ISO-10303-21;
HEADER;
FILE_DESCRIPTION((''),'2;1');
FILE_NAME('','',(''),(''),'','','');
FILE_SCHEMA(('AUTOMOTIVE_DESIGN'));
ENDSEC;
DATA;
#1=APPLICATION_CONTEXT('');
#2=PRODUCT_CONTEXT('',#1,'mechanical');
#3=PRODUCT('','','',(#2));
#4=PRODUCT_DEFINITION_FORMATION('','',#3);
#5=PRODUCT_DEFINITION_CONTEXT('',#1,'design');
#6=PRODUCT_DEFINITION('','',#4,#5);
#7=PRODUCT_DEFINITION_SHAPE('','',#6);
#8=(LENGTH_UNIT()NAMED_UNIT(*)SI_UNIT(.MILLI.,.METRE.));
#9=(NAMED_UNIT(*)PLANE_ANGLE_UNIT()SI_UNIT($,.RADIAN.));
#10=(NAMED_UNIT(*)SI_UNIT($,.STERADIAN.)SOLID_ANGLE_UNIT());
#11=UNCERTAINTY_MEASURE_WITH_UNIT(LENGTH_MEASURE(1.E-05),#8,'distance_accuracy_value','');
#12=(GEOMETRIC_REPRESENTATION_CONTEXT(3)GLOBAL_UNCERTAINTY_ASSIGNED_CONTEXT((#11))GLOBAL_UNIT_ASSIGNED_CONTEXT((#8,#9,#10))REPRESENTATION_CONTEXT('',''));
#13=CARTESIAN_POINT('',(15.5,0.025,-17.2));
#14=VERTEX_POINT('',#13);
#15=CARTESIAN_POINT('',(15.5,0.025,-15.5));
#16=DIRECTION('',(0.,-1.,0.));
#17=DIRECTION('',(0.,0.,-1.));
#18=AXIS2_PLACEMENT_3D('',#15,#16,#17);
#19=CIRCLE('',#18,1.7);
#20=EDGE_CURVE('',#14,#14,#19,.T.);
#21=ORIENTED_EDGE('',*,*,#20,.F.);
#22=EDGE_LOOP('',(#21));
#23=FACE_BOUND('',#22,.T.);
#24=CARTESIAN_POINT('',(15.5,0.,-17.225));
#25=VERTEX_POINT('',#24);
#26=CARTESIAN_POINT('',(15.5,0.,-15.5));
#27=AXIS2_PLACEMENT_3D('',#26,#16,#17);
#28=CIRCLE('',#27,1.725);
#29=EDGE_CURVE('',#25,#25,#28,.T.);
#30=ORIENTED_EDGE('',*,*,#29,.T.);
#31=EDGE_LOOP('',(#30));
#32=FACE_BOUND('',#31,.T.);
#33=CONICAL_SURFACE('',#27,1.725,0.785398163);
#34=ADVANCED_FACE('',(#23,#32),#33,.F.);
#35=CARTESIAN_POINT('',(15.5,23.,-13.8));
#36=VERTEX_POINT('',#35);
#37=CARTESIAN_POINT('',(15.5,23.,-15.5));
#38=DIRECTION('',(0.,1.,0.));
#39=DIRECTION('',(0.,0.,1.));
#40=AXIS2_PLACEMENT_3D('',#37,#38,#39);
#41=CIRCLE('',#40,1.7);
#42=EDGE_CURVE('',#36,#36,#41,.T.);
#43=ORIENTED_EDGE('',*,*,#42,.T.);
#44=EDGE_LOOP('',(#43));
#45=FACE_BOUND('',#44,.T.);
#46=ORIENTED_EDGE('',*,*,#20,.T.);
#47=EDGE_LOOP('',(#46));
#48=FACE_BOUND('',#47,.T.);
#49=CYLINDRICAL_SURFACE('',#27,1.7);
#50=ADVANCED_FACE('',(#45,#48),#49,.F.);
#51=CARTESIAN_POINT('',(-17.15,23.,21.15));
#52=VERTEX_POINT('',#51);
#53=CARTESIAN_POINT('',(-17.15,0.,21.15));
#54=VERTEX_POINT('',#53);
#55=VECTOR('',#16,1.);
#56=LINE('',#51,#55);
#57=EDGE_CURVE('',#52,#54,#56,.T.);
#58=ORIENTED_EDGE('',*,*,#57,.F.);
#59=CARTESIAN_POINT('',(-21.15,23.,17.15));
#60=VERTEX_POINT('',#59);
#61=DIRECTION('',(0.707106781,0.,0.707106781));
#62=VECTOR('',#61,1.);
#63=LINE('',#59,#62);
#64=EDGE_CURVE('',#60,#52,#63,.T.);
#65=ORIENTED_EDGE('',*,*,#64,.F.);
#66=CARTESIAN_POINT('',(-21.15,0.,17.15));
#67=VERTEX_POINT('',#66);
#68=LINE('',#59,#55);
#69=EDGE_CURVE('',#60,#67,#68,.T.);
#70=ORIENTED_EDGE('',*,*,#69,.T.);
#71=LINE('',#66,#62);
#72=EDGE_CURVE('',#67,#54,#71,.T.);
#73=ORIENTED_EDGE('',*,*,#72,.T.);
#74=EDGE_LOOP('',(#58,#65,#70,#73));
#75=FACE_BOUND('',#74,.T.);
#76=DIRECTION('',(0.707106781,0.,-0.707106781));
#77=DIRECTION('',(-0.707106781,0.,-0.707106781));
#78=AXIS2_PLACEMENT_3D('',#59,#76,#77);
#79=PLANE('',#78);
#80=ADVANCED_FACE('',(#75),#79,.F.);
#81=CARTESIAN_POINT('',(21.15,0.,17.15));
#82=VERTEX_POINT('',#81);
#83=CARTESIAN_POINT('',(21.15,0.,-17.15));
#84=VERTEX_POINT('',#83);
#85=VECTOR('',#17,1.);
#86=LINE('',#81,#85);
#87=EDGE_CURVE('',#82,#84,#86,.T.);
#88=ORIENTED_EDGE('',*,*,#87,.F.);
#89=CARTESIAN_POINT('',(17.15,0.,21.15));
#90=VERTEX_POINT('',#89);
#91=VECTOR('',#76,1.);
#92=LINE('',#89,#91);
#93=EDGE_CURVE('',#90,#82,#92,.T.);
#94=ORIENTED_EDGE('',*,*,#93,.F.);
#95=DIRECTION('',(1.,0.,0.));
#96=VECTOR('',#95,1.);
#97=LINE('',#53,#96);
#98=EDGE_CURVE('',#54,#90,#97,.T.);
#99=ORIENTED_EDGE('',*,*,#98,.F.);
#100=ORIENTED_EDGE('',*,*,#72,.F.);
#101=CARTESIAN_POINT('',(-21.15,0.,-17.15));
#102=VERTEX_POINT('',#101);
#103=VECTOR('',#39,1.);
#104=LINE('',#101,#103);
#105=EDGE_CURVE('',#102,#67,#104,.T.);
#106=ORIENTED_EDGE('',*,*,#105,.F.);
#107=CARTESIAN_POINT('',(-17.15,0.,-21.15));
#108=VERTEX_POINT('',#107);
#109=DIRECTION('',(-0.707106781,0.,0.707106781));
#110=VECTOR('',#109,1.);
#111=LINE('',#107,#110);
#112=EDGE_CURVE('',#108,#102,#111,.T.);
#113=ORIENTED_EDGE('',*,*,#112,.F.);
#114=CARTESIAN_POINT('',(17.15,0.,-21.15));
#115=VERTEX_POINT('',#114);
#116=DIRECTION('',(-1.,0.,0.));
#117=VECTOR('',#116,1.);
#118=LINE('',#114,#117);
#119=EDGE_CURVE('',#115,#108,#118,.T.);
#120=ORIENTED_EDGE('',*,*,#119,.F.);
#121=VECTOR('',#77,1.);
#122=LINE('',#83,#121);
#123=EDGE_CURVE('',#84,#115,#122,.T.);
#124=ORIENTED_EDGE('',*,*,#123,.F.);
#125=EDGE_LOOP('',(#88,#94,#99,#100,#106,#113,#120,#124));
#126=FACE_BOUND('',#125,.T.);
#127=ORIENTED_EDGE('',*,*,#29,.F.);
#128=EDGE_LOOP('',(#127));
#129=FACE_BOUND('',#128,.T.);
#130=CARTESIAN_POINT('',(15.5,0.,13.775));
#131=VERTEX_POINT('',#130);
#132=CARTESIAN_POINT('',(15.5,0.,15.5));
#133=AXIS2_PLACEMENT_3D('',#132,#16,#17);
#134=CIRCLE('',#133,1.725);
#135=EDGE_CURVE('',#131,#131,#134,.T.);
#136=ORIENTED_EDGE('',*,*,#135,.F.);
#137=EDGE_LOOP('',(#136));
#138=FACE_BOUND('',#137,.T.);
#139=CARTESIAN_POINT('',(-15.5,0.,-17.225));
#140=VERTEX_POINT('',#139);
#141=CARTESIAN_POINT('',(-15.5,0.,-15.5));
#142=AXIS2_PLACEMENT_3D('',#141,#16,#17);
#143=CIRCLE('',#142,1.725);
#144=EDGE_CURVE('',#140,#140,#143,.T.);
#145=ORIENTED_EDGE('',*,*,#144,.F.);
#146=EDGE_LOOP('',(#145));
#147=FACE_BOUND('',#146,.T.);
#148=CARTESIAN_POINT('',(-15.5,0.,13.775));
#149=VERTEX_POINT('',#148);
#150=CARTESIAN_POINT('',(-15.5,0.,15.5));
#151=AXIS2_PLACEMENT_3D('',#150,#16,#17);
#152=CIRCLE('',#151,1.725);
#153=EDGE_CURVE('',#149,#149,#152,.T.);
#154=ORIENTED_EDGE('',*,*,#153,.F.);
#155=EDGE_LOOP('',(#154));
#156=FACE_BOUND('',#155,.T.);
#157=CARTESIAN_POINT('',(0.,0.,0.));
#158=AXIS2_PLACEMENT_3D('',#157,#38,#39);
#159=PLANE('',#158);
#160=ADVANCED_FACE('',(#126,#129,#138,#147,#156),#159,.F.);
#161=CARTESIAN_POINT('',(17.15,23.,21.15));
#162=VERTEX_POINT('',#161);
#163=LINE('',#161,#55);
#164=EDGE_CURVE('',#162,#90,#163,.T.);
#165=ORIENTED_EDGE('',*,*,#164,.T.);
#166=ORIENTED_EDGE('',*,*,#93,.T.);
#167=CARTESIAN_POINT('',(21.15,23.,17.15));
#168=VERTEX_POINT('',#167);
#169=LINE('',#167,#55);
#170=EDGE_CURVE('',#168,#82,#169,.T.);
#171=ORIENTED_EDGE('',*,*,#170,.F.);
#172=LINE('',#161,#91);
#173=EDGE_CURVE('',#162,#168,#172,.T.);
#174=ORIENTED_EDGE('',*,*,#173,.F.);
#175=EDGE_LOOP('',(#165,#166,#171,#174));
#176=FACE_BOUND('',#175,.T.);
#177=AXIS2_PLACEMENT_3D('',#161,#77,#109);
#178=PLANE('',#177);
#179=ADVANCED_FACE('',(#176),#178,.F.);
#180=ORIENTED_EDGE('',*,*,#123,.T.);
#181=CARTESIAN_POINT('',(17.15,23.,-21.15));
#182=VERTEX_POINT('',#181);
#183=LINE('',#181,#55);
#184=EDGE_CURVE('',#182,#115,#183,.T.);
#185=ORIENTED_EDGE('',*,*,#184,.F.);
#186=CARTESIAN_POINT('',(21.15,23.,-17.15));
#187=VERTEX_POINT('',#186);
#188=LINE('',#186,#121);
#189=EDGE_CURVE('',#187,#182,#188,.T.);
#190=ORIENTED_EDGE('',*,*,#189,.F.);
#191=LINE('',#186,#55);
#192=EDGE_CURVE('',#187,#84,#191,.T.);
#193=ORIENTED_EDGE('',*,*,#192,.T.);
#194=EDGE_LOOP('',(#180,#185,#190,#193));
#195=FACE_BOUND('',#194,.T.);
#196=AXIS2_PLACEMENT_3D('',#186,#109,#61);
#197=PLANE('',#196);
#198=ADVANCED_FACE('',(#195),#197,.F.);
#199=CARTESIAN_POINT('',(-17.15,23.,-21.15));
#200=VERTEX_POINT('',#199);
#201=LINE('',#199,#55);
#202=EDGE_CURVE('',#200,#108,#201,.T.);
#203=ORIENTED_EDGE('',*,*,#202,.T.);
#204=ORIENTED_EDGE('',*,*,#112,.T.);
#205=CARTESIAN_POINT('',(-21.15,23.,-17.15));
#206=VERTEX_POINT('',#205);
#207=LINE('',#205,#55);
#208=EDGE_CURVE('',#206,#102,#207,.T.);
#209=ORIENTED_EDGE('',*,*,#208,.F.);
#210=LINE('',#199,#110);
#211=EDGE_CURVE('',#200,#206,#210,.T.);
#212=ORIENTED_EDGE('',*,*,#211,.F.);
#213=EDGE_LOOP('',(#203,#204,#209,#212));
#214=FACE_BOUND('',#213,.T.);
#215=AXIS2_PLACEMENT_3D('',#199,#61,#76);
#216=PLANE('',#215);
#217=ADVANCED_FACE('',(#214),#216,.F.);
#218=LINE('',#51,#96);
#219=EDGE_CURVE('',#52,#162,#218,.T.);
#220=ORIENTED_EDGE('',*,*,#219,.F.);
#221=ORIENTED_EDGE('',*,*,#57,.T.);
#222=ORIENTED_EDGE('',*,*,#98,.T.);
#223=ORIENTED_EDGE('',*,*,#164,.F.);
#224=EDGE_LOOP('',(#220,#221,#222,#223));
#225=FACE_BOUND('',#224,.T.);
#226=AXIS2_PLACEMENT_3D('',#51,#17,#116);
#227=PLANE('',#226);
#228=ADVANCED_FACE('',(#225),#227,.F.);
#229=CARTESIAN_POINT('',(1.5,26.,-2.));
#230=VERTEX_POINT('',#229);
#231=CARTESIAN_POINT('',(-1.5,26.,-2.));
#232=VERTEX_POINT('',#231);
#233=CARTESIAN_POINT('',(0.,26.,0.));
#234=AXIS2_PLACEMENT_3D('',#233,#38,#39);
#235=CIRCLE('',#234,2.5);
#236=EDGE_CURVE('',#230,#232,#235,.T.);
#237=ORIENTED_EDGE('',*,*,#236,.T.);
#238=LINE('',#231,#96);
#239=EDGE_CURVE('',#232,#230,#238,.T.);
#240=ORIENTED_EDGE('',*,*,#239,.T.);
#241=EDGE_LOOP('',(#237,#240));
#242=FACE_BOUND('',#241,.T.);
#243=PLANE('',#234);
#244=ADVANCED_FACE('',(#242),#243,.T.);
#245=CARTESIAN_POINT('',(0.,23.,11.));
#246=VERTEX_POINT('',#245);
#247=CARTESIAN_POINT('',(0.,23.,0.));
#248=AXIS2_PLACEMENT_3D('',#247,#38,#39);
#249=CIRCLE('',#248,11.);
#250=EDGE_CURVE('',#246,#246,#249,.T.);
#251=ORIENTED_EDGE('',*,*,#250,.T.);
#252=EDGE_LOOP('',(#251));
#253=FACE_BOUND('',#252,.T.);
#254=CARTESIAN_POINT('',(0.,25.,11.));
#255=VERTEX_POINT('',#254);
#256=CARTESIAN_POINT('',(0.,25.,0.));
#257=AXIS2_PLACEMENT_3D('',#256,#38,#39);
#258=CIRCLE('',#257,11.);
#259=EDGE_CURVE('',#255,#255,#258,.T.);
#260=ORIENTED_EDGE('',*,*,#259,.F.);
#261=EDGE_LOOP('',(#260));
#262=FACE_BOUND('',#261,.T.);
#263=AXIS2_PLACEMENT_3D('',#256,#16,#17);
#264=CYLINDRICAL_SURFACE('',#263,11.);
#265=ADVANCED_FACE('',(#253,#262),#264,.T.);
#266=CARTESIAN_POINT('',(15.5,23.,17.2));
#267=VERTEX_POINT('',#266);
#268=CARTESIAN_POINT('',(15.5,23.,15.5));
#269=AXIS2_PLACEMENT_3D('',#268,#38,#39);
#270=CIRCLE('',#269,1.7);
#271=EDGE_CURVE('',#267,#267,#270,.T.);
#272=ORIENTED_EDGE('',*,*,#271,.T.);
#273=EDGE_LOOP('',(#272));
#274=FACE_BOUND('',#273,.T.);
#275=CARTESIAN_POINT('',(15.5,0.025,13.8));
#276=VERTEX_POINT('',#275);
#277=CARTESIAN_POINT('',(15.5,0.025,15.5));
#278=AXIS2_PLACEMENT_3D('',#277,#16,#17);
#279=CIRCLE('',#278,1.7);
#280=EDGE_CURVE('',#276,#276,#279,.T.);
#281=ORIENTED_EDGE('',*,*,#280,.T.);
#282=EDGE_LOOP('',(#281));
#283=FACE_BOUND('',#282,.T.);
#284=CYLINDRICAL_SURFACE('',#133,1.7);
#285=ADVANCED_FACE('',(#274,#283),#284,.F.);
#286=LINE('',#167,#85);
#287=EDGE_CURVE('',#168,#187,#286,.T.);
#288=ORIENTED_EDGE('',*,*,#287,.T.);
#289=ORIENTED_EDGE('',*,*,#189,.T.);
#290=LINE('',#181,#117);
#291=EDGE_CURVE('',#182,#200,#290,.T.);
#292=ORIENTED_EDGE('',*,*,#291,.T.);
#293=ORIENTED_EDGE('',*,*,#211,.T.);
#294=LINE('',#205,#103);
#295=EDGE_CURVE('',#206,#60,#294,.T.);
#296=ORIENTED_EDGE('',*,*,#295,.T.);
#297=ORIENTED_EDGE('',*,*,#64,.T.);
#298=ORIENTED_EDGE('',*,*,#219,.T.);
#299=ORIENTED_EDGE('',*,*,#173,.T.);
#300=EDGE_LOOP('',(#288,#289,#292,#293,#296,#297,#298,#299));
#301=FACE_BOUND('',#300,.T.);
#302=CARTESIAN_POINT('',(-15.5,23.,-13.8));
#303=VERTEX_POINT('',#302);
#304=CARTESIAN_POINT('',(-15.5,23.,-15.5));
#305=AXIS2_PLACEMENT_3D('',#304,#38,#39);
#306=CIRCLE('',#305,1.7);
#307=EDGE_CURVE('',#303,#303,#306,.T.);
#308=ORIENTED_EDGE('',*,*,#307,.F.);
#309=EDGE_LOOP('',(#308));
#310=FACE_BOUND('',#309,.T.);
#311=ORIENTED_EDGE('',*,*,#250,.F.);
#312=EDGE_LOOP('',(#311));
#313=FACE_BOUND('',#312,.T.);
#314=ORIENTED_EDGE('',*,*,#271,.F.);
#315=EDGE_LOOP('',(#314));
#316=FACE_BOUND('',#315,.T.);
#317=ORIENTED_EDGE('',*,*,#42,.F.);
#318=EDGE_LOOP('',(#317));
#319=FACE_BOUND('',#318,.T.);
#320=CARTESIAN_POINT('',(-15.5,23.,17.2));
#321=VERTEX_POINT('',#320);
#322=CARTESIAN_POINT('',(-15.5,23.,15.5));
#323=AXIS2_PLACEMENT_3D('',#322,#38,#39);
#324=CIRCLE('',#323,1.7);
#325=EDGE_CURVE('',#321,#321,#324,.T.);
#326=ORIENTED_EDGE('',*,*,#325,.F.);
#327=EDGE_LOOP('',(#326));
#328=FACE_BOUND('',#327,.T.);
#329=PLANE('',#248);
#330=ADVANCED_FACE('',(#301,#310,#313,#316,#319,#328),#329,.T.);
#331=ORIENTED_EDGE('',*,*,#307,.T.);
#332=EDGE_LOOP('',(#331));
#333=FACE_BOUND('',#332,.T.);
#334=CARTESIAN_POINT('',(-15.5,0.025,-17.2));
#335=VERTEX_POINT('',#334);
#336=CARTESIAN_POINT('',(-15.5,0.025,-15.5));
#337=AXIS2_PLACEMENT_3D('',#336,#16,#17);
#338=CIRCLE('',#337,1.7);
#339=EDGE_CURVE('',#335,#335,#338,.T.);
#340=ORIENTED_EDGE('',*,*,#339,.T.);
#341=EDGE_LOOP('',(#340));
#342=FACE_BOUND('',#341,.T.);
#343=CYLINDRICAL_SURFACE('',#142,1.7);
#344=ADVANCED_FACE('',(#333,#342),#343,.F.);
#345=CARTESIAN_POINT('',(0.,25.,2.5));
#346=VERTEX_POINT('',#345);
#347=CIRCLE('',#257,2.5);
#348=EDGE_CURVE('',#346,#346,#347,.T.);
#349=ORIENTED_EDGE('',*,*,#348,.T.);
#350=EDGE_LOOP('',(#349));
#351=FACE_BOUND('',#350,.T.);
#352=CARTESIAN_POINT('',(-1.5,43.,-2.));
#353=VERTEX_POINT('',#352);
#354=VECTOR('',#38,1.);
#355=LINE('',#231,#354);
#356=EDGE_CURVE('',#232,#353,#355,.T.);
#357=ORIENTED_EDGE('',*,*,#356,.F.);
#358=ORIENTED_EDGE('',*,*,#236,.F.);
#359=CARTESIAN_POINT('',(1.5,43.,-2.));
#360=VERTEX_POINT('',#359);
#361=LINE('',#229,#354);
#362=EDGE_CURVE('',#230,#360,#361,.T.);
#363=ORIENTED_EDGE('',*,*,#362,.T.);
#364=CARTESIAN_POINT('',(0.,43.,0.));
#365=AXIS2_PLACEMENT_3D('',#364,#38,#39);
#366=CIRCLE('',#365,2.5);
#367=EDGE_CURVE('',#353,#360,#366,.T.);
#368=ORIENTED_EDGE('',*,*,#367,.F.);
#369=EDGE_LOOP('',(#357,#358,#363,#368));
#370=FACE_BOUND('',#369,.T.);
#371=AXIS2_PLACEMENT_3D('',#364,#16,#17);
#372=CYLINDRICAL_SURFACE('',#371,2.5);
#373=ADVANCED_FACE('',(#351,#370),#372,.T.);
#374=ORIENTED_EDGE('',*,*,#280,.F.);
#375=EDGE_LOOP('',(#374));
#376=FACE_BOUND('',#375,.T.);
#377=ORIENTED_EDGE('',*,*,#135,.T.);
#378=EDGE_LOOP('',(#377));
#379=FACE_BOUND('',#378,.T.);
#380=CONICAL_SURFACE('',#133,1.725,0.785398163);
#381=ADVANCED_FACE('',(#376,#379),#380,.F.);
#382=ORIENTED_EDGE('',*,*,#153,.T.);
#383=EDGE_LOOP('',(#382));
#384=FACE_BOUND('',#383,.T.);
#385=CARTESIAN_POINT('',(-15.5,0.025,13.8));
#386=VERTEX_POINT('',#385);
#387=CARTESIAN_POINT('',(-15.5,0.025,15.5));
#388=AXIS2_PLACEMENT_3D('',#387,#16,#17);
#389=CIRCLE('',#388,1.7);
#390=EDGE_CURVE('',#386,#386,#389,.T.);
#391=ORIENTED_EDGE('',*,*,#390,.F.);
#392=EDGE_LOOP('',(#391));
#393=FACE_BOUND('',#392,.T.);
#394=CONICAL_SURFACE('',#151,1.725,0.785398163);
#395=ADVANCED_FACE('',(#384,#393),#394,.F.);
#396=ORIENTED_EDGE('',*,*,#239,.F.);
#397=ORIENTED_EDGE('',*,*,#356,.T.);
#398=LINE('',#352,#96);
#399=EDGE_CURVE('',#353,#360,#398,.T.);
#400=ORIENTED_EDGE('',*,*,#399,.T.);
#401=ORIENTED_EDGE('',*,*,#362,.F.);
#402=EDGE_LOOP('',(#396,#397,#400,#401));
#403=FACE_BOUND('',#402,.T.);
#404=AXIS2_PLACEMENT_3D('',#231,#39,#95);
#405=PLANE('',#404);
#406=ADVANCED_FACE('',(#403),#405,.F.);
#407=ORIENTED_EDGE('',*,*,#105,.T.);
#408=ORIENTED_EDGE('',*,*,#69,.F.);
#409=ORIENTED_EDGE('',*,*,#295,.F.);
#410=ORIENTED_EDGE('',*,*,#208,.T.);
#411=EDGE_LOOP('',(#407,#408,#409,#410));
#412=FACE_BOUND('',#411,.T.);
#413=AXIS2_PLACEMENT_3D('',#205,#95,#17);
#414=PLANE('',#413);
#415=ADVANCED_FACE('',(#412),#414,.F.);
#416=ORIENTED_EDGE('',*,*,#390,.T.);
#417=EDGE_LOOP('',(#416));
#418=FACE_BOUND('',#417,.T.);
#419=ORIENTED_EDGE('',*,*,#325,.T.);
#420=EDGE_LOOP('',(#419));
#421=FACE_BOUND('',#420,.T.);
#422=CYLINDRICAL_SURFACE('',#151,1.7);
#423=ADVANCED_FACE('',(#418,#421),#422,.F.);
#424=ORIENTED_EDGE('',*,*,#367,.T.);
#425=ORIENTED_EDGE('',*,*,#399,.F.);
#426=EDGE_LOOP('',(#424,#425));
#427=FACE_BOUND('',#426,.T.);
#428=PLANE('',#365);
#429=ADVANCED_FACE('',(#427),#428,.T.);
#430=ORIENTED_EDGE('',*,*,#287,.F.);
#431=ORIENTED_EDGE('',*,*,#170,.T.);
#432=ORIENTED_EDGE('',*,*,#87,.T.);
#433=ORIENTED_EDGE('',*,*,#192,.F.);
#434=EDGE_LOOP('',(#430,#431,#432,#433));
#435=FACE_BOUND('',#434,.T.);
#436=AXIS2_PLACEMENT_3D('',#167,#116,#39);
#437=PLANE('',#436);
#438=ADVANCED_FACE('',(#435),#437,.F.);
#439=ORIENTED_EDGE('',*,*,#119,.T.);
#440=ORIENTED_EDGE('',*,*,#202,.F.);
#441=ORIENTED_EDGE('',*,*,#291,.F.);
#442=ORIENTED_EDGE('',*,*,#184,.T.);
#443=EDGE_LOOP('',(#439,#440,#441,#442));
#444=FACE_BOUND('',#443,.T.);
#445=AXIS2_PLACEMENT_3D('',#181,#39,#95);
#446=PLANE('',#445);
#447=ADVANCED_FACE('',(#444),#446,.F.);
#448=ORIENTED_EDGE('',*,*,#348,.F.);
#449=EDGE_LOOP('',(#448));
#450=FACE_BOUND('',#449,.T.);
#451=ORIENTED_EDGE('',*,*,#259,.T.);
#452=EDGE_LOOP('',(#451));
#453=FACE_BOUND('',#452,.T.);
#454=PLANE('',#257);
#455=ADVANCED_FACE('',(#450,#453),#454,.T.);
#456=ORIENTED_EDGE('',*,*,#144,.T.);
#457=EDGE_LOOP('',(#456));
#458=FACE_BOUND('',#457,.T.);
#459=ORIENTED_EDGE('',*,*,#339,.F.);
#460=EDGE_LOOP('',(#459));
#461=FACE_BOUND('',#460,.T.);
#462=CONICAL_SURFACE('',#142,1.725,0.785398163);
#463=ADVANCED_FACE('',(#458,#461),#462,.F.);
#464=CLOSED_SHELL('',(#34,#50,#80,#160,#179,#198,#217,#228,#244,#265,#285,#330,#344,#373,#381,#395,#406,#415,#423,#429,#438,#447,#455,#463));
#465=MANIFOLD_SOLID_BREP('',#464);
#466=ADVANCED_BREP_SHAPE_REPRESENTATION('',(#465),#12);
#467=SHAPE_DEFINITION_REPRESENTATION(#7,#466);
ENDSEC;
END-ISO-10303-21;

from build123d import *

# Parameters (mm, degrees)
ESTRUSIONE_ESTRUSIONE1_DEPTH   = 23
FORO_PER_VITE_M3_1_D           = 3.4
FORO_PER_VITE_M3_1_DEPTH       = 34
FORO_PER_VITE_M3_1_CSINK_D     = 3.45
FORO_PER_VITE_M3_1_CSINK_ANGLE = 90
FORO_PER_VITE_M3_1_TIP         = 1.021463052
SCHIZZO5_R                     = 11
ESTRUSIONE_ESTRUSIONE2_DEPTH   = 2
SCHIZZO6_R                     = 2.5
ESTRUSIONE_ESTRUSIONE3_DEPTH   = 18
TAGLIO_ESTRUSIONE1_START       = -17
TAGLIO_ESTRUSIONE1_DEPTH       = 17


with BuildPart() as part:
    # Schizzo1 → Estrusione-Estrusione1 (new body)
    with BuildSketch(Plane(origin=(0, 0, 0), x_dir=(1, 0, 0), z_dir=(0, 1, 0))):
        Polygon((21.15, -17.15), (21.15, 17.15), (17.15, 21.15), (-17.15, 21.15), (-21.15, 17.15), (-21.15, -17.15), (-17.15, -21.15), (17.15, -21.15), align=None)
    extrude(amount=ESTRUSIONE_ESTRUSIONE1_DEPTH)

    # Foro per Vite M3-1
    with Locations(Plane(origin=(0, 0, 0), x_dir=(-1, 0, 0), z_dir=(0, -1, 0))):
        with Locations((-15.5, 15.5), (15.5, 15.5), (15.5, -15.5), (-15.5, -15.5)):
            CounterSinkHole(FORO_PER_VITE_M3_1_D / 2, FORO_PER_VITE_M3_1_CSINK_D / 2, depth=FORO_PER_VITE_M3_1_DEPTH, counter_sink_angle=FORO_PER_VITE_M3_1_CSINK_ANGLE)
            with Locations((0, 0, -(FORO_PER_VITE_M3_1_DEPTH + FORO_PER_VITE_M3_1_TIP / 2))):  # 118° drill point
                Cone(0, FORO_PER_VITE_M3_1_D / 2, FORO_PER_VITE_M3_1_TIP, mode=Mode.SUBTRACT)

    # Schizzo5 → Estrusione-Estrusione2 (add)
    with BuildSketch(Plane(origin=(0, 23, 0), x_dir=(1, 0, 0), z_dir=(0, 1, 0))):
        with Locations(Location((0, 0, 0), (0, 0, 270))):
            Circle(SCHIZZO5_R)
    extrude(amount=ESTRUSIONE_ESTRUSIONE2_DEPTH)

    # Schizzo6 → Estrusione-Estrusione3 (add)
    with BuildSketch(Plane(origin=(0, 25, 0), x_dir=(1, 0, 0), z_dir=(0, 1, 0))):
        with Locations(Location((0, 0, 0), (0, 0, 270))):
            Circle(SCHIZZO6_R)
    extrude(amount=ESTRUSIONE_ESTRUSIONE3_DEPTH)

    # Schizzo7 → Taglio-Estrusione1 (cut)
    with BuildSketch(Plane(origin=(0, 43, 0), x_dir=(1, 0, 0), z_dir=(0, 1, 0)).offset(TAGLIO_ESTRUSIONE1_START)):
        with BuildLine():
            Line((-1.5, 2), (1.5, 2))
            ThreePointArc((1.5, 2), (0, 2.5), (-1.5, 2))
        make_face()
    extrude(amount=TAGLIO_ESTRUSIONE1_DEPTH, mode=Mode.SUBTRACT)


solid = part.part
